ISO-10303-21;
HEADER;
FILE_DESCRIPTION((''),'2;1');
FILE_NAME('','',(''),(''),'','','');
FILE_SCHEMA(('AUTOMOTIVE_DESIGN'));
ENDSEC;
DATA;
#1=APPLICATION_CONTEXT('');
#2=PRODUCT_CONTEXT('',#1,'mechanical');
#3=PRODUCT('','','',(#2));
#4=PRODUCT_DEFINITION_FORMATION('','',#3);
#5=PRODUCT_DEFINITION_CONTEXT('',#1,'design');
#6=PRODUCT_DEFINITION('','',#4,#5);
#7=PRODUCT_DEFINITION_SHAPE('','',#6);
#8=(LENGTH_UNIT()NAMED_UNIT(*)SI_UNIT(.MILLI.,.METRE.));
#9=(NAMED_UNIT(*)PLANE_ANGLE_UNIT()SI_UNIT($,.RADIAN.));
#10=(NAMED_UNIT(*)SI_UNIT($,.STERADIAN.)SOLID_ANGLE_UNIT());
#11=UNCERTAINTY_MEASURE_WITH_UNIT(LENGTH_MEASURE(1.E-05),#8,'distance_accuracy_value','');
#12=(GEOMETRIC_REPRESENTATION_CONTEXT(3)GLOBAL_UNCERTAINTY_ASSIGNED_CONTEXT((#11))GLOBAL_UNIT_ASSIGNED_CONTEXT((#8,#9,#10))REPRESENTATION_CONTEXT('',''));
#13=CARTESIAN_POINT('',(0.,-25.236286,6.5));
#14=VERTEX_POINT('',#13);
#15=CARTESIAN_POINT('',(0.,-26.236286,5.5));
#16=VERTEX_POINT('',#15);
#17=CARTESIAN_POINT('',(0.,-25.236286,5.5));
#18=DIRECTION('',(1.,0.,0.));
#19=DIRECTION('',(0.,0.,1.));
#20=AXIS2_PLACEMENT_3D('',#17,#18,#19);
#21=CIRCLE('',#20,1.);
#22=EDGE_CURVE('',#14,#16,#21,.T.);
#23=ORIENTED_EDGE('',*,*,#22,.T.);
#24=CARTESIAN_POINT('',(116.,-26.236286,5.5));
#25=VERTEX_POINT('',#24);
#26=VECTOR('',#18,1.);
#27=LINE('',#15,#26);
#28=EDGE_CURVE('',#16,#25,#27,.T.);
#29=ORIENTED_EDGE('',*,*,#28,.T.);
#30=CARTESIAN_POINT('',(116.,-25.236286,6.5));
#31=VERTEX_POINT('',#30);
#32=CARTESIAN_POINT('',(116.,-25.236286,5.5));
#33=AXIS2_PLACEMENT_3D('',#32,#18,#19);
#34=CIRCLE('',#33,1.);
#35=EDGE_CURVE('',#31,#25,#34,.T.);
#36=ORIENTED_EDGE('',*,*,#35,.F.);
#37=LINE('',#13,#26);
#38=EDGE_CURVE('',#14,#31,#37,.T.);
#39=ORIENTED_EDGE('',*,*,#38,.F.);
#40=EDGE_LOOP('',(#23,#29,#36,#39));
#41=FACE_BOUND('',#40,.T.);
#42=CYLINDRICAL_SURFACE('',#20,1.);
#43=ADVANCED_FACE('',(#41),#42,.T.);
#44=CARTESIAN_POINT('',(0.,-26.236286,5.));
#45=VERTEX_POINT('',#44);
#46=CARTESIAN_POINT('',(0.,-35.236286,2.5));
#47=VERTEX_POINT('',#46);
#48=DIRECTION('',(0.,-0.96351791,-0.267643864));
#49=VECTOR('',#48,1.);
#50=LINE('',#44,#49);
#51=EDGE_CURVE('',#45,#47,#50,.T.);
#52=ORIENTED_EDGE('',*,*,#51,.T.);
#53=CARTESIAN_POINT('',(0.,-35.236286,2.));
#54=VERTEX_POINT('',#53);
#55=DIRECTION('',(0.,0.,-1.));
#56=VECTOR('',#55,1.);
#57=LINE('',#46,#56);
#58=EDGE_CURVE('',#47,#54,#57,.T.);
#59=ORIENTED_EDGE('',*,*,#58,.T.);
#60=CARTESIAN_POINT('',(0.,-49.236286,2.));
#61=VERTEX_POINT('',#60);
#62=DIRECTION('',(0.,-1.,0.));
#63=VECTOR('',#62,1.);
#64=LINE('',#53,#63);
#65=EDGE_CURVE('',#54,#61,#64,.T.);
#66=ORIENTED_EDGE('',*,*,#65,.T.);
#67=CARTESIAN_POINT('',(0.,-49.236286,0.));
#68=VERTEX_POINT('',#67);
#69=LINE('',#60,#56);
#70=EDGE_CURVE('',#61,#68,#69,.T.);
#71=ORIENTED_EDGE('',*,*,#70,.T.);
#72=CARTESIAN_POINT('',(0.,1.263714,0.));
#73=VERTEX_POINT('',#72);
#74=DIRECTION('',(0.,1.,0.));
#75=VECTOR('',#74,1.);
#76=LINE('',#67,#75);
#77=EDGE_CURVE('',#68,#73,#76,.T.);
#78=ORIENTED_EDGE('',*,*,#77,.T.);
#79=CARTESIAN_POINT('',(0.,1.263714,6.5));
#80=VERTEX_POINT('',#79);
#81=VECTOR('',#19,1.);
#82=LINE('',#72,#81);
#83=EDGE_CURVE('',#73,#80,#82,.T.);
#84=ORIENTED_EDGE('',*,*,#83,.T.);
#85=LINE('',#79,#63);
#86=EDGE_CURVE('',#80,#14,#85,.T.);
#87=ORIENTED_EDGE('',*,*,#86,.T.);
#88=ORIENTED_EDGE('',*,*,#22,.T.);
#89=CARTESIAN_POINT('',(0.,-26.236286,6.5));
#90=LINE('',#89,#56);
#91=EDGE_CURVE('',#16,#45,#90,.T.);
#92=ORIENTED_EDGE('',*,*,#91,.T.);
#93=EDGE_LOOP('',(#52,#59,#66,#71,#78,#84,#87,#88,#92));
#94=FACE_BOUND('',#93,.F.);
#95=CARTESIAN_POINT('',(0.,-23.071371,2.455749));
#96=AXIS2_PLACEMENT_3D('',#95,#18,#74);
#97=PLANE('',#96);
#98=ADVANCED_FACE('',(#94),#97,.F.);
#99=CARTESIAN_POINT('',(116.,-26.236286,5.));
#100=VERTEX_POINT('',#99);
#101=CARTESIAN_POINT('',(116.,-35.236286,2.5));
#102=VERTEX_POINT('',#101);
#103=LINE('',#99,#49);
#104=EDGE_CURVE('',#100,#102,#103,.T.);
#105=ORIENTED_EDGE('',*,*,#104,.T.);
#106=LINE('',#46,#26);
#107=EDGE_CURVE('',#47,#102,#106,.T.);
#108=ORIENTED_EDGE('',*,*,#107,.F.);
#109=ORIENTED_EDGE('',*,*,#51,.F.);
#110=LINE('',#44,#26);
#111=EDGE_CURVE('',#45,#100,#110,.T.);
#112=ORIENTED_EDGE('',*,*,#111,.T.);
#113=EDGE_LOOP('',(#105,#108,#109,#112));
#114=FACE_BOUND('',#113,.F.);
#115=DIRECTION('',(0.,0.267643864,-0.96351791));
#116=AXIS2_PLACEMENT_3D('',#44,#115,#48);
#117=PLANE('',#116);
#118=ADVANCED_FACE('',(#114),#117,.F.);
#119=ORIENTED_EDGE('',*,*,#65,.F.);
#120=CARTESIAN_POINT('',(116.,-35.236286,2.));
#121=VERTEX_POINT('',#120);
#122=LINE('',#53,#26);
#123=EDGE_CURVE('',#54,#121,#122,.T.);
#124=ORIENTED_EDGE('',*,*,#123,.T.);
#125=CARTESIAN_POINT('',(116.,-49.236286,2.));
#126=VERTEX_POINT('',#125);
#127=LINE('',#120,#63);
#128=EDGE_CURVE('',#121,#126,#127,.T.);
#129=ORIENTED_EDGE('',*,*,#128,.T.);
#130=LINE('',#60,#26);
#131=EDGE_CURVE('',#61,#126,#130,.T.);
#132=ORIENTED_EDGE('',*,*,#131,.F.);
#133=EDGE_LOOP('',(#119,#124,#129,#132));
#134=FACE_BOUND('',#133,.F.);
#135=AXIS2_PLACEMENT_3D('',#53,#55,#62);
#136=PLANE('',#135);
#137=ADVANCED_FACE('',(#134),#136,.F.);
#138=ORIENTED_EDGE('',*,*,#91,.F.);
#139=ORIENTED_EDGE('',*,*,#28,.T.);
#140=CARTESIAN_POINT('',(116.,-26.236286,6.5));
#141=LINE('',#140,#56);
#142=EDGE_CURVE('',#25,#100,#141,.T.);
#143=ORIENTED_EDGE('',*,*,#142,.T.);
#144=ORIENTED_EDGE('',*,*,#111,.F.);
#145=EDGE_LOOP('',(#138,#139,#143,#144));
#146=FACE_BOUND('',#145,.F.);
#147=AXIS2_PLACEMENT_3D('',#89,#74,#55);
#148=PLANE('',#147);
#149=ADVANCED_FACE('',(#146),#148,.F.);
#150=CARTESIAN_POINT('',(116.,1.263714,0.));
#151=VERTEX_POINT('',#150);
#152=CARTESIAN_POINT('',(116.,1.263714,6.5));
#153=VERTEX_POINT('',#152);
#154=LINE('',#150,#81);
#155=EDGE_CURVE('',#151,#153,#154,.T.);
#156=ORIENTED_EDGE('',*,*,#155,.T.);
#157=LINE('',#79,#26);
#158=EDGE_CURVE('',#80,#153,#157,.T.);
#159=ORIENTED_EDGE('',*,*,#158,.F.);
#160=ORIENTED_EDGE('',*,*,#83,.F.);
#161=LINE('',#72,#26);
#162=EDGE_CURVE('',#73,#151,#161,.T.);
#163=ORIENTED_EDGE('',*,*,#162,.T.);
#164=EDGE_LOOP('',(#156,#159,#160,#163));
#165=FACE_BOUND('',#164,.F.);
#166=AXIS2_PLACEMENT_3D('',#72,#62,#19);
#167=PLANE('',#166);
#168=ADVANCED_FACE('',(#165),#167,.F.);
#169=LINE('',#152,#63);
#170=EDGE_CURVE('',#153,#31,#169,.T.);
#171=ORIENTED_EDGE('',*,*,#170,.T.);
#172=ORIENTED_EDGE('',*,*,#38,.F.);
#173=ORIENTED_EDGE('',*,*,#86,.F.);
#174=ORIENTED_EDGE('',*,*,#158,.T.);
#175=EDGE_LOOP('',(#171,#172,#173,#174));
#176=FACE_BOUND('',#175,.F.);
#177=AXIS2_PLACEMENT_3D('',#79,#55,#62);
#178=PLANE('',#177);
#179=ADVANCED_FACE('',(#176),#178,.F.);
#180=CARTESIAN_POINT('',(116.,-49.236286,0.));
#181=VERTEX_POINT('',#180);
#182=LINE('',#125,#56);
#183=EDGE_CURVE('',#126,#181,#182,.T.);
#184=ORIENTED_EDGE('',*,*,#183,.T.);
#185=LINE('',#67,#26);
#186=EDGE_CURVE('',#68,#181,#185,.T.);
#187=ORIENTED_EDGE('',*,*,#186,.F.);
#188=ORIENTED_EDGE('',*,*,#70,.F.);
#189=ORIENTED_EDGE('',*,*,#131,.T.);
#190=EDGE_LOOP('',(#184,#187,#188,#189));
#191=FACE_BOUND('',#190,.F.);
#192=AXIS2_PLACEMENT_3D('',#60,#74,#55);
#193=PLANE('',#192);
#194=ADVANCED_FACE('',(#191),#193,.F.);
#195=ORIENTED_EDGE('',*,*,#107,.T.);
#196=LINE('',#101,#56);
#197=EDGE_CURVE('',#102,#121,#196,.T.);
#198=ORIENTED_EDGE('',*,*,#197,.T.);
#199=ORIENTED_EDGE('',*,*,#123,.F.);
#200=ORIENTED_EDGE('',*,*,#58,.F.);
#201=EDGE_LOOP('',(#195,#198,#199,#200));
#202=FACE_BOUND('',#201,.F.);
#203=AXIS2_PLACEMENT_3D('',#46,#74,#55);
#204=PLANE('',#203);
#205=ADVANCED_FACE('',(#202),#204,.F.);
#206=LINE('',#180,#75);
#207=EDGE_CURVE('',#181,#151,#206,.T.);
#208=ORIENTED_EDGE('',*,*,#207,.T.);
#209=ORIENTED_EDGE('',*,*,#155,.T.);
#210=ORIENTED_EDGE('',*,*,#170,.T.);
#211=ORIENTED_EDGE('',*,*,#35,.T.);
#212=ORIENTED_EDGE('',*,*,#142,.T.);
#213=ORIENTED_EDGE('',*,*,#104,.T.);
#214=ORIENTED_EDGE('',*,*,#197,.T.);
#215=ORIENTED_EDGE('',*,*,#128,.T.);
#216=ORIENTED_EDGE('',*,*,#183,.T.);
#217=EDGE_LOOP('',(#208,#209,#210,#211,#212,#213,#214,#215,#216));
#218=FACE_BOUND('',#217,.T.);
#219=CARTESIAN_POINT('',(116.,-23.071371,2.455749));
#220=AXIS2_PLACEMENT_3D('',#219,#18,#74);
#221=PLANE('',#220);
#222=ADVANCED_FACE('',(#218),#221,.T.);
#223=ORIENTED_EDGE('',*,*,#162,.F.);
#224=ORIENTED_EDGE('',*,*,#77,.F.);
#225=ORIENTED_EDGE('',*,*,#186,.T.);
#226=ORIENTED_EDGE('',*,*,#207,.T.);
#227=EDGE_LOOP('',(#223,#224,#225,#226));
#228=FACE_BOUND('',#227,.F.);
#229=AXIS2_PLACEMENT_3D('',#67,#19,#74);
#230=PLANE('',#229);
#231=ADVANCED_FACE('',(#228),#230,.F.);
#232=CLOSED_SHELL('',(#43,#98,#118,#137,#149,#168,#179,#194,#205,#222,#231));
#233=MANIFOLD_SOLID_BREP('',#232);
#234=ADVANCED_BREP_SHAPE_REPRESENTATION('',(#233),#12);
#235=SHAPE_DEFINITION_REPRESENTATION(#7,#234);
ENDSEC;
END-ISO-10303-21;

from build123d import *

# Parameters (mm, degrees)
F1_DEPTH = 116
F2_R     = 1


with BuildPart() as f1:
    # F0 (on Right) → F1 (new body)
    with BuildSketch(Plane.YZ):
        Polygon((-49.236286, 2), (-49.236286, 0), (1.263714, 0), (1.263714, 6.5), (-26.236286, 6.5), (-26.236286, 5), (-35.236286, 2.5), (-35.236286, 2), align=None)
    extrude(amount=F1_DEPTH)

    # F2
    f2_edges = [f1.edges().sort_by_distance(p)[0] for p in [
        (58, -26.236286, 6.5),
    ]]
    fillet(f2_edges, radius=F2_R)


solid = f1.part
